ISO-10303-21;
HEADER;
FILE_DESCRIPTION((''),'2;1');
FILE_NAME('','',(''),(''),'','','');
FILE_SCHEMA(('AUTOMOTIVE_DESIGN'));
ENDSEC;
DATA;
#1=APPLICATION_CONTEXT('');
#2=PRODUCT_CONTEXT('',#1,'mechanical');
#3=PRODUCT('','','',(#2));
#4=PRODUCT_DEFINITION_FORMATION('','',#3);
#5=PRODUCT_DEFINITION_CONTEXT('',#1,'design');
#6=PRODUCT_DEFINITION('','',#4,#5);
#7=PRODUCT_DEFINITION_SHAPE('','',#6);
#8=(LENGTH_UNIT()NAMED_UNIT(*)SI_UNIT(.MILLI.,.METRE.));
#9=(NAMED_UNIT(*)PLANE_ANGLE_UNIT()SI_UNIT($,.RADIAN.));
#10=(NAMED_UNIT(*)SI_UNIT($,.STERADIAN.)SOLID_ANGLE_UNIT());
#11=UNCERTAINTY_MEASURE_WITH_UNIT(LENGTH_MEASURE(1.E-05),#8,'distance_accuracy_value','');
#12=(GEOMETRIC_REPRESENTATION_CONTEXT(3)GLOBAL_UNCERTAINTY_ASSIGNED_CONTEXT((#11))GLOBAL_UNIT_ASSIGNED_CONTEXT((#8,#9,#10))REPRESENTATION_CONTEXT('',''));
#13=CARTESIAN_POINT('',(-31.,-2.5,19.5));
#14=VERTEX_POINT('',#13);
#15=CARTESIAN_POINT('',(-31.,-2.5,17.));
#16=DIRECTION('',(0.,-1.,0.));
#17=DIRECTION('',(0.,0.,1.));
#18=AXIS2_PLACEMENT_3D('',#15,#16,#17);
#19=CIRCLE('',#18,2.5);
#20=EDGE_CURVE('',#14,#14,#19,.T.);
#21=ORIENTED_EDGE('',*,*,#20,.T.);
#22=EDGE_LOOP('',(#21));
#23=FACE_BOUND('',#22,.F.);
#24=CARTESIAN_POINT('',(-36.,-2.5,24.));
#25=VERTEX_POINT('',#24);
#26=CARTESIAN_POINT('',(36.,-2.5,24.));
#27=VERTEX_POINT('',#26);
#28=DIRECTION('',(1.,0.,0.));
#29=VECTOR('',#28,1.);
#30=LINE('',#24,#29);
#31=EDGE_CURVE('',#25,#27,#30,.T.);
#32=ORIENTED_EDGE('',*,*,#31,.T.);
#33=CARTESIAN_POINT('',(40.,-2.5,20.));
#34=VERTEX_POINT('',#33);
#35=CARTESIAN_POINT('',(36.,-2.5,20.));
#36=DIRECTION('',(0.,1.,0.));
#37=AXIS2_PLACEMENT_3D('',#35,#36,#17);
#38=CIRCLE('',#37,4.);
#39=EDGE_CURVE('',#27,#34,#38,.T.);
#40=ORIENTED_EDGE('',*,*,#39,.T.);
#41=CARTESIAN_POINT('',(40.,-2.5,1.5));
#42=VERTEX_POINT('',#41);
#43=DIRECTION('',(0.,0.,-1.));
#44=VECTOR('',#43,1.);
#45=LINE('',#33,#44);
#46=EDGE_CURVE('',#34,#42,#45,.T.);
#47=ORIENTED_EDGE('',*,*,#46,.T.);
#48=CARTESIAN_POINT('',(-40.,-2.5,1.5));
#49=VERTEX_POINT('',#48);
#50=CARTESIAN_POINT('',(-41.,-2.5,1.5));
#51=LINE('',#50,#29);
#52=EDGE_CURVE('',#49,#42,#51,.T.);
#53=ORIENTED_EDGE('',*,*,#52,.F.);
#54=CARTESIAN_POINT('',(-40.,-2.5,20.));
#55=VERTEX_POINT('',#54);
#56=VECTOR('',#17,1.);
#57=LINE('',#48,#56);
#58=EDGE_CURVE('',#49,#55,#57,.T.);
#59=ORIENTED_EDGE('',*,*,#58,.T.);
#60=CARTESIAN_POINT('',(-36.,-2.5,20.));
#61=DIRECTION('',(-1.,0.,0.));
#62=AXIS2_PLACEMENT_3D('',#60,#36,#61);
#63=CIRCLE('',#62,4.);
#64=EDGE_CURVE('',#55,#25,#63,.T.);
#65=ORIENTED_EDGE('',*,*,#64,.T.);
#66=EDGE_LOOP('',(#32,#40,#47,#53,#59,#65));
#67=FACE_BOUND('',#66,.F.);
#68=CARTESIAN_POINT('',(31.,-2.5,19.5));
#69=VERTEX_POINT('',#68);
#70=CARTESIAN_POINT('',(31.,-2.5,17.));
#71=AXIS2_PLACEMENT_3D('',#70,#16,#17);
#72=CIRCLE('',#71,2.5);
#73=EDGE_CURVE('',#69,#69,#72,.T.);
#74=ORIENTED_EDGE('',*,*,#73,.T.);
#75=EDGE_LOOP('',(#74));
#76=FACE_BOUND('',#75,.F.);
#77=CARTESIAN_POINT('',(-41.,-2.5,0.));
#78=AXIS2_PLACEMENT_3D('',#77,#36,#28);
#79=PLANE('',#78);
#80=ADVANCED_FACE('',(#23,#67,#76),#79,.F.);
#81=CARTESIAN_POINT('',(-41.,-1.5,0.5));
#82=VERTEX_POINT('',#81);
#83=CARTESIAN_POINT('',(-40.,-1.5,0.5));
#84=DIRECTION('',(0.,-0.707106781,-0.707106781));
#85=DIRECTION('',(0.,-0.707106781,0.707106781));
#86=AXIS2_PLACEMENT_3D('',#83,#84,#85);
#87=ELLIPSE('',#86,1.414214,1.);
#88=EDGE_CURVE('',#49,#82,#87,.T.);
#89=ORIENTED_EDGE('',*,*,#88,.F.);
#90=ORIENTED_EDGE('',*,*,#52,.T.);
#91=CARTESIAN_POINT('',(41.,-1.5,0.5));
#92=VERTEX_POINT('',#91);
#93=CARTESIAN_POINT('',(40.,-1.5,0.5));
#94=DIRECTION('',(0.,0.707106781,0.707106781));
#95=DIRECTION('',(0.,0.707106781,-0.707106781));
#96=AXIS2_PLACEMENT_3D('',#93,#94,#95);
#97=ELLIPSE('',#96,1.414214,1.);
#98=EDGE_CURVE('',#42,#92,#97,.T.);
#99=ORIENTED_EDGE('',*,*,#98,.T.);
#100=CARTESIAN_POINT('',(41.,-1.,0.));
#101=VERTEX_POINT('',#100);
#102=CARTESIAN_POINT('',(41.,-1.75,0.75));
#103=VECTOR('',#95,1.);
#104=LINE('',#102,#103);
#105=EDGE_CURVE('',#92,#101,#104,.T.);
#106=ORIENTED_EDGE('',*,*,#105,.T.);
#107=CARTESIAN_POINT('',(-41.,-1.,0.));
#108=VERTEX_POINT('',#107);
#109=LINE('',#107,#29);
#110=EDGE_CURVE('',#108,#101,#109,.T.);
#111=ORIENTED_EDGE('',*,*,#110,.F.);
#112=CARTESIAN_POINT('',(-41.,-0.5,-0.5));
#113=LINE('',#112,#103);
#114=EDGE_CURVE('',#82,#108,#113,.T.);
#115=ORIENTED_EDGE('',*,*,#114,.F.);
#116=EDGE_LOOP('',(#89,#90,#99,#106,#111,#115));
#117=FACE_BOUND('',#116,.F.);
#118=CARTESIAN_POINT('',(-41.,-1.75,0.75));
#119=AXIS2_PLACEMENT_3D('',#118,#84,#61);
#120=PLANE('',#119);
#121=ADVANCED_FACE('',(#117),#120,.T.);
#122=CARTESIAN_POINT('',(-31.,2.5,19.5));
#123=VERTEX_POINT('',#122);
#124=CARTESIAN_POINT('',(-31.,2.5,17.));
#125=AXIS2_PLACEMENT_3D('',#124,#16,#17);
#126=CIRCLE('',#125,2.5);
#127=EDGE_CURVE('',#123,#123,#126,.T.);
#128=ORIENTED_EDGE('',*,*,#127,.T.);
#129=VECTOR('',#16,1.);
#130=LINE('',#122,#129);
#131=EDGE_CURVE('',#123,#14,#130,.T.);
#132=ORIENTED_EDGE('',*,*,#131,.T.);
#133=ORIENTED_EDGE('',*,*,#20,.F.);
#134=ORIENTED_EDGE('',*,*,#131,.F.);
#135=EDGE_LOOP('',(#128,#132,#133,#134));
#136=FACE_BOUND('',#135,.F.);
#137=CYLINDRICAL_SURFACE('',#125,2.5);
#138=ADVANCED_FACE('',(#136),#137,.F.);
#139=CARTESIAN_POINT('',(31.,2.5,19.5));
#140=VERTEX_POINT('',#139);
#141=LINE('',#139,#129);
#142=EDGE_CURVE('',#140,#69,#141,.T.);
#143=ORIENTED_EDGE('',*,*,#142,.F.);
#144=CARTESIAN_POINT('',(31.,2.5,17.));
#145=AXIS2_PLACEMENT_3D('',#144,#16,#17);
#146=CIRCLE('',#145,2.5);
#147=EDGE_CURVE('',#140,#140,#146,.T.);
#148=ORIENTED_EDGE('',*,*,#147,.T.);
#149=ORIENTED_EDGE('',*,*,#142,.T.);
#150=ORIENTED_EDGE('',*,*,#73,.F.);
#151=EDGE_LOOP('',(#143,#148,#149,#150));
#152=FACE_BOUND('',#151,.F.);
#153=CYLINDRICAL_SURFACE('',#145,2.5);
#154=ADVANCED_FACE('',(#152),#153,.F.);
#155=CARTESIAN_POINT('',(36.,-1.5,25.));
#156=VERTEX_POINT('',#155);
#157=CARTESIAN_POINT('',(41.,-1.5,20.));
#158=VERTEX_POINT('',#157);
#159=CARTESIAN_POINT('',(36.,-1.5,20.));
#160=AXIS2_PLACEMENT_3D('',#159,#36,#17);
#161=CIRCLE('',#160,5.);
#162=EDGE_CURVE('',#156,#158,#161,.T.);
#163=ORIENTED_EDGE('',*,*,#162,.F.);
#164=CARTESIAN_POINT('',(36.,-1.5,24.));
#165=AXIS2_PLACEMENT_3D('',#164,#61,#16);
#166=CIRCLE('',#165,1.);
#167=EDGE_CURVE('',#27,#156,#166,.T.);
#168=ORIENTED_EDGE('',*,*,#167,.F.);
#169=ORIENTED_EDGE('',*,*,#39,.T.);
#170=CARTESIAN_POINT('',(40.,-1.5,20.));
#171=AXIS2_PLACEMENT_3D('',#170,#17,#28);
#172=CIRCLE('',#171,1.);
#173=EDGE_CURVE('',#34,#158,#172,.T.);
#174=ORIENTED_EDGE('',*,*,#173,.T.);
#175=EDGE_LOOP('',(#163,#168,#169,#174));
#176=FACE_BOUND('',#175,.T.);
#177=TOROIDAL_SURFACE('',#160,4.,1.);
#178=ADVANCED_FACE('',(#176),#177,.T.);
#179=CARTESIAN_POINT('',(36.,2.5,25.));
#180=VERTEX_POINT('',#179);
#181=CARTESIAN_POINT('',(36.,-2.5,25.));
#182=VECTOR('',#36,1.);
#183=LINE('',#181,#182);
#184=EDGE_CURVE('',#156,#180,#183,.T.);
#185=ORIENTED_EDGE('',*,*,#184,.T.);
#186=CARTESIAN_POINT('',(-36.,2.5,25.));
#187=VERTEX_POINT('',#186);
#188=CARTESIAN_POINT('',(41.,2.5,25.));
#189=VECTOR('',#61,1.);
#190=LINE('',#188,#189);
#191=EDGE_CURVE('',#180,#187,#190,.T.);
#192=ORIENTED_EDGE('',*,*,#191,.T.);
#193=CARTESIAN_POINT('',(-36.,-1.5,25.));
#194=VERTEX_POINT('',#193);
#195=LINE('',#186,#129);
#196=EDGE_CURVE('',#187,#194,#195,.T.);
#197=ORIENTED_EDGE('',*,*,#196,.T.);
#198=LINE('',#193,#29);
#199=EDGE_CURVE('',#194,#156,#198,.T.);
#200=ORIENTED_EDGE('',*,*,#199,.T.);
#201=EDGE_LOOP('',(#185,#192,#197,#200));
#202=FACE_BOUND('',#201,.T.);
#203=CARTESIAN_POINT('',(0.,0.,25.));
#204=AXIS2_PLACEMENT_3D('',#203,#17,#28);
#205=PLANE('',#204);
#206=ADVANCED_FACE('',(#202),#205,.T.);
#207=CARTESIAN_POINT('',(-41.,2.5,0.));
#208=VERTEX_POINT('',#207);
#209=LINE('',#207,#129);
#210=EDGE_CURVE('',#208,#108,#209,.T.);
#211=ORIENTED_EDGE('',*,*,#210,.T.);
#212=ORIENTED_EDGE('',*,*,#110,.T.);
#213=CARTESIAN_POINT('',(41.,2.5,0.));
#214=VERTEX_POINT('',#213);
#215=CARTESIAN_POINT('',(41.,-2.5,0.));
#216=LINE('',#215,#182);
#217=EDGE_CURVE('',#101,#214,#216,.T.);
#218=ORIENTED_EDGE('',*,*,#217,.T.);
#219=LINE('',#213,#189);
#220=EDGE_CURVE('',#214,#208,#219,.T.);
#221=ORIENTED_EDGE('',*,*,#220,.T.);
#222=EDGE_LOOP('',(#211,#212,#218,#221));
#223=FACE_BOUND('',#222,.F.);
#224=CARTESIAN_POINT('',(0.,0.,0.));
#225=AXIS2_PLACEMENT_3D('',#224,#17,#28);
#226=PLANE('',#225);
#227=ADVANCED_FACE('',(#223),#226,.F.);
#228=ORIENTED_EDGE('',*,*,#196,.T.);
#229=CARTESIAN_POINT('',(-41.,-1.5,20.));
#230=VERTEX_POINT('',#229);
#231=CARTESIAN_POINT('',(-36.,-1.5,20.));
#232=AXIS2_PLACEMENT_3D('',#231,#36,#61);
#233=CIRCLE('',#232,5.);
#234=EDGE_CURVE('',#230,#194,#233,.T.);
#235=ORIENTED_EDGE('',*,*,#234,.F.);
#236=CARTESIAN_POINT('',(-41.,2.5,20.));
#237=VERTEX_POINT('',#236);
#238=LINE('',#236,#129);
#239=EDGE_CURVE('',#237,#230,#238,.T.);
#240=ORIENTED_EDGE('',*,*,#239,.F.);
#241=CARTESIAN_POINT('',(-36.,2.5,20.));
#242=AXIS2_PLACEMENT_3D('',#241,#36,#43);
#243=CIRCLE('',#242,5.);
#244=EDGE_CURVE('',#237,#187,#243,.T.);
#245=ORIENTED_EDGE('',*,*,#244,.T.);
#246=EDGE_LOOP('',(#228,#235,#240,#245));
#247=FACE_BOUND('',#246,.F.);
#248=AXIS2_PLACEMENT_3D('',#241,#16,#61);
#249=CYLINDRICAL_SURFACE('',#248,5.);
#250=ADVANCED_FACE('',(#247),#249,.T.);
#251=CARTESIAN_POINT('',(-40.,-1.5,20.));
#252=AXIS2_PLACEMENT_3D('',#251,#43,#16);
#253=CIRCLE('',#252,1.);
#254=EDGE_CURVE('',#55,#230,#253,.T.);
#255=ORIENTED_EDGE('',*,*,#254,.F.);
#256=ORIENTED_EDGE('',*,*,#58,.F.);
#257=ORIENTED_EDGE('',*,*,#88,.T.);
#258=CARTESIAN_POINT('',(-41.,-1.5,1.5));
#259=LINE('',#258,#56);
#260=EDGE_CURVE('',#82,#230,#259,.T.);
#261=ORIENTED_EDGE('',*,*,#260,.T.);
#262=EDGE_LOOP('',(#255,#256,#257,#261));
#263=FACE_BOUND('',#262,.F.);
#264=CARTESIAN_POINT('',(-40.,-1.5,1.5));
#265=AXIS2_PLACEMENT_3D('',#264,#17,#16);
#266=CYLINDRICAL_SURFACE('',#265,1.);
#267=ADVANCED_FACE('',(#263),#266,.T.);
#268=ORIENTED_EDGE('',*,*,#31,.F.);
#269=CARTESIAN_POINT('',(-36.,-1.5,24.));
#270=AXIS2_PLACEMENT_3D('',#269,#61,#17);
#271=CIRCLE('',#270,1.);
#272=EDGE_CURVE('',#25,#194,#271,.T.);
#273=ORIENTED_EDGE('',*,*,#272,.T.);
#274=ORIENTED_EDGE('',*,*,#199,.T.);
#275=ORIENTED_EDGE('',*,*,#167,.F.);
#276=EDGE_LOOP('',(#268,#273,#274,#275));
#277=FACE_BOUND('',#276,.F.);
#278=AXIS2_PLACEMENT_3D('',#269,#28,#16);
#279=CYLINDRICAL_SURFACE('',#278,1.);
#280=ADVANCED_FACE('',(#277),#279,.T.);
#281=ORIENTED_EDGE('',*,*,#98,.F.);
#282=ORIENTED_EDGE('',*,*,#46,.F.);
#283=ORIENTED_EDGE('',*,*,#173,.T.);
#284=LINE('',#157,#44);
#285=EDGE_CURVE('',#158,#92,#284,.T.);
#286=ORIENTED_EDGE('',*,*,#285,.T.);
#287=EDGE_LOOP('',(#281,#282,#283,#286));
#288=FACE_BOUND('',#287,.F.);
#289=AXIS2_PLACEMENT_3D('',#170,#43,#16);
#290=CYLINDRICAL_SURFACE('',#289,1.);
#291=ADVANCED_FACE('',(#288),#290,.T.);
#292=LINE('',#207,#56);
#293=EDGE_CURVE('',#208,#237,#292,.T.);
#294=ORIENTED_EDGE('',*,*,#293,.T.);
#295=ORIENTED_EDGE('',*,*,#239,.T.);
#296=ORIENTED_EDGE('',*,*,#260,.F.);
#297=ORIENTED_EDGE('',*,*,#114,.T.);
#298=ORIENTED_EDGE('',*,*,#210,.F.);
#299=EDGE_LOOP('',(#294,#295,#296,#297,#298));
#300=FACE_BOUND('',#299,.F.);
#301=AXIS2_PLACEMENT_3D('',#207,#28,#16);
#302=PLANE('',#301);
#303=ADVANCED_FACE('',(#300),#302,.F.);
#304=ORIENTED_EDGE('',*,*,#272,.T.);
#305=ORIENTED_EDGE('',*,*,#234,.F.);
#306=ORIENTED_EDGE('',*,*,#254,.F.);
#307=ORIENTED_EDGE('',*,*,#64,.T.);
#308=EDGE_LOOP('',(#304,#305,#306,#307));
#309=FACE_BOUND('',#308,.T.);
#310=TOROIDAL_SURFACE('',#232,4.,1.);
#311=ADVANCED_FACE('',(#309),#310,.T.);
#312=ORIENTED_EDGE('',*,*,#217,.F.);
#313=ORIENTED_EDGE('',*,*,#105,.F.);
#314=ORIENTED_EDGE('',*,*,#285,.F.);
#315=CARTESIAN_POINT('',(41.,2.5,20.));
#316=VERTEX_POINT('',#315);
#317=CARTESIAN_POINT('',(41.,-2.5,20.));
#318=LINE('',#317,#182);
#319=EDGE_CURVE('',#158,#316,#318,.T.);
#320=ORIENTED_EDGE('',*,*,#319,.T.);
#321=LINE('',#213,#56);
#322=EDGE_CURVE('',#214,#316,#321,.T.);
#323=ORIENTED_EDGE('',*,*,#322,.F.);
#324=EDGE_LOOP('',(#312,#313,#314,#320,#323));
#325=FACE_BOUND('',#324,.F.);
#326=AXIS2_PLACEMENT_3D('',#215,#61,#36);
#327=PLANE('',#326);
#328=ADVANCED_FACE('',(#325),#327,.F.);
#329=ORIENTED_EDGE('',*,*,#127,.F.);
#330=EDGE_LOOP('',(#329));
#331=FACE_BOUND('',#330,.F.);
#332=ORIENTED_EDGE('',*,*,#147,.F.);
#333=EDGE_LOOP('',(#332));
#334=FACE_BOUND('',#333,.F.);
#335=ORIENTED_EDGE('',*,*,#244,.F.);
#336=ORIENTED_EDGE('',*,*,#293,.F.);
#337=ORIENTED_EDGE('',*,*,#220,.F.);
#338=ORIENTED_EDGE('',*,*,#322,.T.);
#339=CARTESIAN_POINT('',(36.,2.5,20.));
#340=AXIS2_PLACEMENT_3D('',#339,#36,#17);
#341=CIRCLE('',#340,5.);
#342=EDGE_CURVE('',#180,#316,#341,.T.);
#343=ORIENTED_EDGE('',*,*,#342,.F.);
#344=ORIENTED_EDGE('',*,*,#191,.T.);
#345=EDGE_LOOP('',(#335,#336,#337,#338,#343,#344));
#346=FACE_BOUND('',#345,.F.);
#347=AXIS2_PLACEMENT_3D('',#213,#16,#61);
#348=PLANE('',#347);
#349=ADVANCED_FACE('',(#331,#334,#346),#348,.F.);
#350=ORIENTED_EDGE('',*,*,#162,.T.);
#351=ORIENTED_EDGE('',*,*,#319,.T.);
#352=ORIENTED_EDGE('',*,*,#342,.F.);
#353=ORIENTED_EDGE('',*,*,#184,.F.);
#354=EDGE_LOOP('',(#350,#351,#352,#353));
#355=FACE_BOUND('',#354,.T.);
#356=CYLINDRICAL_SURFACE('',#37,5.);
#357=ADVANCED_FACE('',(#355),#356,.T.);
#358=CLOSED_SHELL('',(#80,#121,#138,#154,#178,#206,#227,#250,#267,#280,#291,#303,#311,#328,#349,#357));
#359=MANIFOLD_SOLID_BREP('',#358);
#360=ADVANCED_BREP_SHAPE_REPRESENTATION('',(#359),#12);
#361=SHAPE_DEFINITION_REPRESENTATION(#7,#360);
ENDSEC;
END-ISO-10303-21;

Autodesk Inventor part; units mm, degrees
ref_plane "YZ Plane" through (0, 0, 0) normal (1, 0, 0) x (0, 1, 0)
ref_plane "XZ Plane" through (0, 0, 0) normal (0, 1, 0) x (-1, 0, 0)
ref_plane "XY Plane" through (0, 0, 0) normal (0, 0, 1) x (1, 0, 0)
sketch "Sketch1" plane through (0, 0, 0) normal (0, 0, 1) x (1, 0, 0)
  line L0 (-41, -2.5) -> (41, -2.5)
  line L1 (41, -2.5) -> (41, 2.5)
  line L2 (41, 2.5) -> (-41, 2.5)
  line L3 (-41, 2.5) -> (-41, -2.5)
  line L4 (-41, -2.5) -> (41, 2.5) construction
  line L5 (41, -2.5) -> (-41, 2.5) construction
  point P0 (0, 0)
  dimension "d0" = 82
  dimension "d1" = 5
extrude "Extrusion1" add sketch "Sketch1" along normal blind 25
chamfer "Chamfer1" distance 1.5 angle 45 1 edges at (0, -2.5, 0)
fillet "Fillet1" radius 5 2 edges at (-41, 0, 25) (41, 0, 25)
sketch "Sketch2" plane through (-41, 2.5, 0) normal (0, 1, 0) x (1, 0, 0)
  circle A0 centre (10, -17) radius 3 construction
  circle A1 centre (72, -17) radius 3 construction
  line L0 (77, -25) -> (5, -25) construction
  line L1 (0, 0) -> (0, -20) construction
  line L2 (82, 0) -> (82, -20) construction
  point P0 (41, 0)
  dimension "d8" = 6
  dimension "d9" = 6
  dimension "d10" = 8
  dimension "d11" = 10
  dimension "d12" = 10
  dimension "d13" = 8
hole "Hole1" at (-31, 2.5, 17) at (31, 2.5, 17) direction (0, -1, 0) diameter 5 end through all
thread "Thread1" size "M5x0.8" class "6H" standard "ANSI Metric M Profile" full length
thread "Thread2" size "M5x0.8" class "6H" standard "ANSI Metric M Profile" full length
fillet "Fillet2" radius 1 5 edges at (-39.5355, -2.5, 23.5355) (0, -2.5, 25) (39.5355, -2.5, 23.5355) (41, -2.5, 10.75) (-41, -2.5, 10.75)
properties part number "BearingHousing_Jack" material "Steel, Galvanized"
